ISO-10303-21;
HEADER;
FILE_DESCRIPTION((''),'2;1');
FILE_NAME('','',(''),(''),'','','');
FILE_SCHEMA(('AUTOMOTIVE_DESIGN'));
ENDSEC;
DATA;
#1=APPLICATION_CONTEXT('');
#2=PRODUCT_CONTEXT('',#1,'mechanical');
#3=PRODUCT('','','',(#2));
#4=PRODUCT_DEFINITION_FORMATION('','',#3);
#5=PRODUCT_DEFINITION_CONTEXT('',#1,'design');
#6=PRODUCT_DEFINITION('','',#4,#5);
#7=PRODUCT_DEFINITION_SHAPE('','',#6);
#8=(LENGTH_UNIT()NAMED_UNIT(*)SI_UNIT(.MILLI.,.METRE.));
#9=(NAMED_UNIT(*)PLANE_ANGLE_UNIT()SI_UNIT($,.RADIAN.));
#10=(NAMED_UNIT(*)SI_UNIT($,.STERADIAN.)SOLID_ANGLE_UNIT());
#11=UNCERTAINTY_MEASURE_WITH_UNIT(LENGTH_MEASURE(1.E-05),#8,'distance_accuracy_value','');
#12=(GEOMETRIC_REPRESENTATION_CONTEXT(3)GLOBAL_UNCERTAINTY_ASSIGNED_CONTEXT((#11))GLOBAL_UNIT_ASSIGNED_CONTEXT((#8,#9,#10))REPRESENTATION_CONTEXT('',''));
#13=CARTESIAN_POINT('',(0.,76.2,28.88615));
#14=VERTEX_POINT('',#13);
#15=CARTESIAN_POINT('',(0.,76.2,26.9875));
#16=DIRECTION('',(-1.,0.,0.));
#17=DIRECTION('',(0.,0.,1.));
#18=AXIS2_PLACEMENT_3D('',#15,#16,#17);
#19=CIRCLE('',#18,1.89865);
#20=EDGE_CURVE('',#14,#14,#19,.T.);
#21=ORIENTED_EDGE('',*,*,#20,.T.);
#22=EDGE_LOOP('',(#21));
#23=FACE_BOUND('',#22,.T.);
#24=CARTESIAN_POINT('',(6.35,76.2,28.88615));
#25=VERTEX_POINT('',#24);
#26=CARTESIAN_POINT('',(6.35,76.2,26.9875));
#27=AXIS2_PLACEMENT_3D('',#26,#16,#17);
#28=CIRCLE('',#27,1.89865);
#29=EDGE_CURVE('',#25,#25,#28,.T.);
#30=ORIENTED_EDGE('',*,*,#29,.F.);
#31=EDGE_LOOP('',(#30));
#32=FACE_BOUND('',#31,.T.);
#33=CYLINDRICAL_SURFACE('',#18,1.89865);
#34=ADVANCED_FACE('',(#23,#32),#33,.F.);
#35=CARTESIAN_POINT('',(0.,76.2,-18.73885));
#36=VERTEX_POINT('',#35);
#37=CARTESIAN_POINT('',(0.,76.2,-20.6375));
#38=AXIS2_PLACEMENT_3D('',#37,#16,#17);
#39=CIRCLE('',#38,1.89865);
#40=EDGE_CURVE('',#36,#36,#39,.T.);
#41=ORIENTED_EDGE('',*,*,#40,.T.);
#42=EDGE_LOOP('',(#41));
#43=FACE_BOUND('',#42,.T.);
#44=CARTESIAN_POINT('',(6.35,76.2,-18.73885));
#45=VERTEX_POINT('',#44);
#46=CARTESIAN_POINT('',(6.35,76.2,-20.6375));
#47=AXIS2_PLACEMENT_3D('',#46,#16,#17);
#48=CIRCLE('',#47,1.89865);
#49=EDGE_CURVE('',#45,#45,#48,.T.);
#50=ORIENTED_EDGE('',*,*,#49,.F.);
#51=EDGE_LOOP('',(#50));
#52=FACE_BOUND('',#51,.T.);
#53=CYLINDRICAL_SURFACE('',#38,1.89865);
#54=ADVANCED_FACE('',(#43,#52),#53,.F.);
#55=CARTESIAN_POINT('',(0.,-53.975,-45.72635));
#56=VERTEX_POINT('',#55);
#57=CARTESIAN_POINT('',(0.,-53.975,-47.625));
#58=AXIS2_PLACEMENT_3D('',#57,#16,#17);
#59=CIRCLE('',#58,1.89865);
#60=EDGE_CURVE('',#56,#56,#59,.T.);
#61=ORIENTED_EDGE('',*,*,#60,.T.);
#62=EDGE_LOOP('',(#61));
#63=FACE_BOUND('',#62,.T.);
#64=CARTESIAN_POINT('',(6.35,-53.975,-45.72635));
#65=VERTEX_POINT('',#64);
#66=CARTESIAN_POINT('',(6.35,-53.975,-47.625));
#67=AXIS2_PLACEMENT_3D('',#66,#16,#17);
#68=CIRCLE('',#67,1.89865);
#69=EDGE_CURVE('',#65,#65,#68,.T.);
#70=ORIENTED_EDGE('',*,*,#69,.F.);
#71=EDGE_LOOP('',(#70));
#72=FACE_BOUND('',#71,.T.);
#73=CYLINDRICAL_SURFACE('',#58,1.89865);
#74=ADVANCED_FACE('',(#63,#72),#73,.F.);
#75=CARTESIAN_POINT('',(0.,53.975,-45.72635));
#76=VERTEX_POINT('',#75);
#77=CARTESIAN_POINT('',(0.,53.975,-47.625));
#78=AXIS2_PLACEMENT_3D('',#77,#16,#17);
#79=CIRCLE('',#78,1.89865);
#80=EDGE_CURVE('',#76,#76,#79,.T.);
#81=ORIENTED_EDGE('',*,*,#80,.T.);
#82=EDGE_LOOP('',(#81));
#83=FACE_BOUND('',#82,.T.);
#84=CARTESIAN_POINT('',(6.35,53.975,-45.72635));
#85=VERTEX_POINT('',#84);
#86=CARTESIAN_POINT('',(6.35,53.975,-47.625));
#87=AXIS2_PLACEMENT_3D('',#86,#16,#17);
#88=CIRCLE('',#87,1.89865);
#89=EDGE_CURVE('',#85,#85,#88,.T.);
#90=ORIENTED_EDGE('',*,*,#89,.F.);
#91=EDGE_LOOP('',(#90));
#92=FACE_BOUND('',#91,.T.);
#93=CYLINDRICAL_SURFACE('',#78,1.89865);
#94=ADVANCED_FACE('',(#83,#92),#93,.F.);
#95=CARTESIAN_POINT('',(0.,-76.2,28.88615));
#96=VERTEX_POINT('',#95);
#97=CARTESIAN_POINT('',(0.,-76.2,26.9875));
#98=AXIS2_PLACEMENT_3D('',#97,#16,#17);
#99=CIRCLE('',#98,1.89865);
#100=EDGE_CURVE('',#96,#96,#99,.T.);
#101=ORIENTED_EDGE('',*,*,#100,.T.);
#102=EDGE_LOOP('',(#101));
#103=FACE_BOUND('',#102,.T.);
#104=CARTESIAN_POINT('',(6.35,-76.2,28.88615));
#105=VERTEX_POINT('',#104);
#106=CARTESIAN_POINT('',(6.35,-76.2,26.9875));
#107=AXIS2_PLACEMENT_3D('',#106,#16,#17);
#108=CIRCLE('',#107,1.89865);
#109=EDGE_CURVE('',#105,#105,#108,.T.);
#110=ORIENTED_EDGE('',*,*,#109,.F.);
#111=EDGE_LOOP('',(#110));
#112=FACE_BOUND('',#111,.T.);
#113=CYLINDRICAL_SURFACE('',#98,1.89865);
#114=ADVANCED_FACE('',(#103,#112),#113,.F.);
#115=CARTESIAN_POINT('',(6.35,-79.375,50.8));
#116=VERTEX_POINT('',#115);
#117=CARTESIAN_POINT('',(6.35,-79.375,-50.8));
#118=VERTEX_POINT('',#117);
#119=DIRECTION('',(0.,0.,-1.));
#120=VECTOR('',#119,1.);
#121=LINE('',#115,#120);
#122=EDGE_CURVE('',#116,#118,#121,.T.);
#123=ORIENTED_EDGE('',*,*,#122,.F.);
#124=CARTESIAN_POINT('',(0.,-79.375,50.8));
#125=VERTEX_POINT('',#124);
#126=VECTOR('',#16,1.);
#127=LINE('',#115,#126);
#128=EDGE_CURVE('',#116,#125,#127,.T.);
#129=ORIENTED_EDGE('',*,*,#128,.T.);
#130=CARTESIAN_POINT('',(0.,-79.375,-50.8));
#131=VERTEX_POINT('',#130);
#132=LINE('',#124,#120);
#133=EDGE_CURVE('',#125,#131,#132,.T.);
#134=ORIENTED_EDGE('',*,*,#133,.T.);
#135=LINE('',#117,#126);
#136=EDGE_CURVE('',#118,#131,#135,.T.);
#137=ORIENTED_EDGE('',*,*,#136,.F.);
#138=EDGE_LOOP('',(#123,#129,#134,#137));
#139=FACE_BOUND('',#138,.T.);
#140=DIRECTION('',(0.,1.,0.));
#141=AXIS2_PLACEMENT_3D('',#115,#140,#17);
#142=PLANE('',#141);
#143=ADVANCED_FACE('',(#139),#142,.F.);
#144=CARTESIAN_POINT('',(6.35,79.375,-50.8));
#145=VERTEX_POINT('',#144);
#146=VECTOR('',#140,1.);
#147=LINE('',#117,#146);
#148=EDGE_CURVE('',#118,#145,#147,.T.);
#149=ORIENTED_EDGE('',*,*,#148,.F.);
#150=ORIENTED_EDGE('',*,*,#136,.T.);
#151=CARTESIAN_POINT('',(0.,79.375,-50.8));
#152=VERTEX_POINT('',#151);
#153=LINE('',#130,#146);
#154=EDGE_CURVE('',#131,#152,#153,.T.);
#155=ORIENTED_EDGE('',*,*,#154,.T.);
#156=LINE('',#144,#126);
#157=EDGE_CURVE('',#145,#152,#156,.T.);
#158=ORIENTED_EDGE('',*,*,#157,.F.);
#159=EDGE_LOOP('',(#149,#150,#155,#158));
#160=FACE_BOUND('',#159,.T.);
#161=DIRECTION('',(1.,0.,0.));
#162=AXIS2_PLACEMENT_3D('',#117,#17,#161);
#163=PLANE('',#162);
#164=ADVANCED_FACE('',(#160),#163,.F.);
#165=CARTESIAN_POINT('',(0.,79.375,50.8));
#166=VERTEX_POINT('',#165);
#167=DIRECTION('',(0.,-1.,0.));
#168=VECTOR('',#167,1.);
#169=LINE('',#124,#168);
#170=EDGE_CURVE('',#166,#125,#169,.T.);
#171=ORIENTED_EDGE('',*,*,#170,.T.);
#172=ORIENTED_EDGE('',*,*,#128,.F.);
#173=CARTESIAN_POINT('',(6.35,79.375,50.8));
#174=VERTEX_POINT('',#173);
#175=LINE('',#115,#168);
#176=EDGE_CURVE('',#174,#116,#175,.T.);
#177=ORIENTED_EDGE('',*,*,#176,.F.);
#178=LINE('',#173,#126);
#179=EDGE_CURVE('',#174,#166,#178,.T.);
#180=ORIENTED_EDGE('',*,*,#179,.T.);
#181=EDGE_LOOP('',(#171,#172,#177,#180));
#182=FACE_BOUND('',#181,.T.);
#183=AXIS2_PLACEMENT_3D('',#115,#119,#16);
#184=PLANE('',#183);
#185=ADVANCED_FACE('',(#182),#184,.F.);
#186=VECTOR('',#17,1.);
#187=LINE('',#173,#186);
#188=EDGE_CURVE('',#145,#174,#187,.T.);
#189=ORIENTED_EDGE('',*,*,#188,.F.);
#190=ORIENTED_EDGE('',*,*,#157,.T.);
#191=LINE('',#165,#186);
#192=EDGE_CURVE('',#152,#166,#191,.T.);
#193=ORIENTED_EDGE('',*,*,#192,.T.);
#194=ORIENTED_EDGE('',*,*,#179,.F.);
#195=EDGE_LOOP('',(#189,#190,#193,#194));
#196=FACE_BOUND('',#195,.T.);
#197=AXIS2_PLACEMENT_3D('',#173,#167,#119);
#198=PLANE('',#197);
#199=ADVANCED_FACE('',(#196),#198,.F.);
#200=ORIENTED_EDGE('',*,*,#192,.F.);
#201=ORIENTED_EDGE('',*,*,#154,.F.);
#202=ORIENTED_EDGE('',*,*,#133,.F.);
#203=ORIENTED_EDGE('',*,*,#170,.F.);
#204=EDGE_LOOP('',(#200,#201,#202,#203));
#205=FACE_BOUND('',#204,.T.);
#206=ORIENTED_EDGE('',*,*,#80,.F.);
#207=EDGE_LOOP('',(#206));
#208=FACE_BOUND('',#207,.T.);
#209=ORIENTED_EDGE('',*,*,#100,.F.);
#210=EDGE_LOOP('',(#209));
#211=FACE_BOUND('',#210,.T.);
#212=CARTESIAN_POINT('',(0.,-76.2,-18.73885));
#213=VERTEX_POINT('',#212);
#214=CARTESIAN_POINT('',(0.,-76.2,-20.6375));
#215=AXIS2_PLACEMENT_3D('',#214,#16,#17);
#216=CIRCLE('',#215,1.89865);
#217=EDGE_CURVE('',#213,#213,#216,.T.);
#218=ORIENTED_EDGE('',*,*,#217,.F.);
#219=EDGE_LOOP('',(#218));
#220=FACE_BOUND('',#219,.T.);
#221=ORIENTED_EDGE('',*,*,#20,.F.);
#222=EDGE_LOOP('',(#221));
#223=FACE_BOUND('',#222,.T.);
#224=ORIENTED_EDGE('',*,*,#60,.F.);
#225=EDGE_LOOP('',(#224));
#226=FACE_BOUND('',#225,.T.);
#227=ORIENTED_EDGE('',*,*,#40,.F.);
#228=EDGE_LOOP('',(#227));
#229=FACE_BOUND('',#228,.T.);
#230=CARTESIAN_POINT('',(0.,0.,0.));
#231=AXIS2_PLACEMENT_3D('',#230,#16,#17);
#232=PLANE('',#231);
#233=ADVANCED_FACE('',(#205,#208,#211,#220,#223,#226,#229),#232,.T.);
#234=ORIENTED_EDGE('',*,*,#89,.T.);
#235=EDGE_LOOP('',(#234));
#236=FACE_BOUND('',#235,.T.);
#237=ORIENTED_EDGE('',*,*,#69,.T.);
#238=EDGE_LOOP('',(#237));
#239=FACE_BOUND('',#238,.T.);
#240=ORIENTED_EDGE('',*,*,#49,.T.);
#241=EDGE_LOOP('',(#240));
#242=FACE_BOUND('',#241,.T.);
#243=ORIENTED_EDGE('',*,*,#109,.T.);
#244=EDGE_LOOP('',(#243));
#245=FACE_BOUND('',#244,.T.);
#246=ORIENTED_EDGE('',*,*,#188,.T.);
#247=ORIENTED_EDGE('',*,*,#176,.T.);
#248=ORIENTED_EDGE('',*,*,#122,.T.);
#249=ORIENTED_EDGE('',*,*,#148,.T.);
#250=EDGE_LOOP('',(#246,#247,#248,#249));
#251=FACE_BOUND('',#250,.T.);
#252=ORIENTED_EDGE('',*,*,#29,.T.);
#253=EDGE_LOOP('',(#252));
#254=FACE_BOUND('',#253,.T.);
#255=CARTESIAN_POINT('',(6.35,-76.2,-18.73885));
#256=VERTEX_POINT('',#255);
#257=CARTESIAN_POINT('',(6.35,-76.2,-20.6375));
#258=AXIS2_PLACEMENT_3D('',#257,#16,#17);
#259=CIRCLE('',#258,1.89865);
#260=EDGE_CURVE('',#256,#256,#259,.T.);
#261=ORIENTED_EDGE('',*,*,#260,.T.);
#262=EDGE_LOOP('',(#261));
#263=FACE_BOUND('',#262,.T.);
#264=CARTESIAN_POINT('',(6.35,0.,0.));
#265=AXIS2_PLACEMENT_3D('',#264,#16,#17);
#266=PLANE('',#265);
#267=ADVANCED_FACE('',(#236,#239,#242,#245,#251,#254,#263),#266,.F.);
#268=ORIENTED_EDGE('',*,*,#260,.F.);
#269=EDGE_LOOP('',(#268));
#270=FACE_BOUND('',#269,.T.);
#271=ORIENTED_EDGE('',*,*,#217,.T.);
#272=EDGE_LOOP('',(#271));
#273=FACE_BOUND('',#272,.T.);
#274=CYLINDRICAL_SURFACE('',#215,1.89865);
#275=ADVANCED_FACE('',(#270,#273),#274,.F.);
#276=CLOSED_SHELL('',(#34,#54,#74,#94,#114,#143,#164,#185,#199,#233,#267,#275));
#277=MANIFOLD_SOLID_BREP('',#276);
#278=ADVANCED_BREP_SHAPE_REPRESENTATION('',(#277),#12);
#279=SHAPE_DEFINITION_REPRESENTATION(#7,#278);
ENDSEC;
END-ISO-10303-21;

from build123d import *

# Parameters (mm, degrees)
SKETCH1_W             = 101.6
SKETCH1_H             = 158.75
BOSS_EXTRUDE1_DEPTH   = 6.35
F_6_CLEARANCE_HOLE1_D = 3.7973


with BuildPart() as part:
    # Sketch1 → Boss-Extrude1 (new body)
    with BuildSketch(Plane(origin=(0, 0, 0), x_dir=(0, 0, -1), z_dir=(1, 0, 0))):
        Rectangle(SKETCH1_W, SKETCH1_H)
    extrude(amount=BOSS_EXTRUDE1_DEPTH)

    # #6 Clearance Hole1 (through all)
    with Locations(Plane.ZY):
        with Locations((-47.625, 53.975), (-20.6375, 76.2), (26.9875, 76.2), (26.9875, -76.2), (-20.6375, -76.2), (-47.625, -53.975)):
            Hole(F_6_CLEARANCE_HOLE1_D / 2)


solid = part.part
